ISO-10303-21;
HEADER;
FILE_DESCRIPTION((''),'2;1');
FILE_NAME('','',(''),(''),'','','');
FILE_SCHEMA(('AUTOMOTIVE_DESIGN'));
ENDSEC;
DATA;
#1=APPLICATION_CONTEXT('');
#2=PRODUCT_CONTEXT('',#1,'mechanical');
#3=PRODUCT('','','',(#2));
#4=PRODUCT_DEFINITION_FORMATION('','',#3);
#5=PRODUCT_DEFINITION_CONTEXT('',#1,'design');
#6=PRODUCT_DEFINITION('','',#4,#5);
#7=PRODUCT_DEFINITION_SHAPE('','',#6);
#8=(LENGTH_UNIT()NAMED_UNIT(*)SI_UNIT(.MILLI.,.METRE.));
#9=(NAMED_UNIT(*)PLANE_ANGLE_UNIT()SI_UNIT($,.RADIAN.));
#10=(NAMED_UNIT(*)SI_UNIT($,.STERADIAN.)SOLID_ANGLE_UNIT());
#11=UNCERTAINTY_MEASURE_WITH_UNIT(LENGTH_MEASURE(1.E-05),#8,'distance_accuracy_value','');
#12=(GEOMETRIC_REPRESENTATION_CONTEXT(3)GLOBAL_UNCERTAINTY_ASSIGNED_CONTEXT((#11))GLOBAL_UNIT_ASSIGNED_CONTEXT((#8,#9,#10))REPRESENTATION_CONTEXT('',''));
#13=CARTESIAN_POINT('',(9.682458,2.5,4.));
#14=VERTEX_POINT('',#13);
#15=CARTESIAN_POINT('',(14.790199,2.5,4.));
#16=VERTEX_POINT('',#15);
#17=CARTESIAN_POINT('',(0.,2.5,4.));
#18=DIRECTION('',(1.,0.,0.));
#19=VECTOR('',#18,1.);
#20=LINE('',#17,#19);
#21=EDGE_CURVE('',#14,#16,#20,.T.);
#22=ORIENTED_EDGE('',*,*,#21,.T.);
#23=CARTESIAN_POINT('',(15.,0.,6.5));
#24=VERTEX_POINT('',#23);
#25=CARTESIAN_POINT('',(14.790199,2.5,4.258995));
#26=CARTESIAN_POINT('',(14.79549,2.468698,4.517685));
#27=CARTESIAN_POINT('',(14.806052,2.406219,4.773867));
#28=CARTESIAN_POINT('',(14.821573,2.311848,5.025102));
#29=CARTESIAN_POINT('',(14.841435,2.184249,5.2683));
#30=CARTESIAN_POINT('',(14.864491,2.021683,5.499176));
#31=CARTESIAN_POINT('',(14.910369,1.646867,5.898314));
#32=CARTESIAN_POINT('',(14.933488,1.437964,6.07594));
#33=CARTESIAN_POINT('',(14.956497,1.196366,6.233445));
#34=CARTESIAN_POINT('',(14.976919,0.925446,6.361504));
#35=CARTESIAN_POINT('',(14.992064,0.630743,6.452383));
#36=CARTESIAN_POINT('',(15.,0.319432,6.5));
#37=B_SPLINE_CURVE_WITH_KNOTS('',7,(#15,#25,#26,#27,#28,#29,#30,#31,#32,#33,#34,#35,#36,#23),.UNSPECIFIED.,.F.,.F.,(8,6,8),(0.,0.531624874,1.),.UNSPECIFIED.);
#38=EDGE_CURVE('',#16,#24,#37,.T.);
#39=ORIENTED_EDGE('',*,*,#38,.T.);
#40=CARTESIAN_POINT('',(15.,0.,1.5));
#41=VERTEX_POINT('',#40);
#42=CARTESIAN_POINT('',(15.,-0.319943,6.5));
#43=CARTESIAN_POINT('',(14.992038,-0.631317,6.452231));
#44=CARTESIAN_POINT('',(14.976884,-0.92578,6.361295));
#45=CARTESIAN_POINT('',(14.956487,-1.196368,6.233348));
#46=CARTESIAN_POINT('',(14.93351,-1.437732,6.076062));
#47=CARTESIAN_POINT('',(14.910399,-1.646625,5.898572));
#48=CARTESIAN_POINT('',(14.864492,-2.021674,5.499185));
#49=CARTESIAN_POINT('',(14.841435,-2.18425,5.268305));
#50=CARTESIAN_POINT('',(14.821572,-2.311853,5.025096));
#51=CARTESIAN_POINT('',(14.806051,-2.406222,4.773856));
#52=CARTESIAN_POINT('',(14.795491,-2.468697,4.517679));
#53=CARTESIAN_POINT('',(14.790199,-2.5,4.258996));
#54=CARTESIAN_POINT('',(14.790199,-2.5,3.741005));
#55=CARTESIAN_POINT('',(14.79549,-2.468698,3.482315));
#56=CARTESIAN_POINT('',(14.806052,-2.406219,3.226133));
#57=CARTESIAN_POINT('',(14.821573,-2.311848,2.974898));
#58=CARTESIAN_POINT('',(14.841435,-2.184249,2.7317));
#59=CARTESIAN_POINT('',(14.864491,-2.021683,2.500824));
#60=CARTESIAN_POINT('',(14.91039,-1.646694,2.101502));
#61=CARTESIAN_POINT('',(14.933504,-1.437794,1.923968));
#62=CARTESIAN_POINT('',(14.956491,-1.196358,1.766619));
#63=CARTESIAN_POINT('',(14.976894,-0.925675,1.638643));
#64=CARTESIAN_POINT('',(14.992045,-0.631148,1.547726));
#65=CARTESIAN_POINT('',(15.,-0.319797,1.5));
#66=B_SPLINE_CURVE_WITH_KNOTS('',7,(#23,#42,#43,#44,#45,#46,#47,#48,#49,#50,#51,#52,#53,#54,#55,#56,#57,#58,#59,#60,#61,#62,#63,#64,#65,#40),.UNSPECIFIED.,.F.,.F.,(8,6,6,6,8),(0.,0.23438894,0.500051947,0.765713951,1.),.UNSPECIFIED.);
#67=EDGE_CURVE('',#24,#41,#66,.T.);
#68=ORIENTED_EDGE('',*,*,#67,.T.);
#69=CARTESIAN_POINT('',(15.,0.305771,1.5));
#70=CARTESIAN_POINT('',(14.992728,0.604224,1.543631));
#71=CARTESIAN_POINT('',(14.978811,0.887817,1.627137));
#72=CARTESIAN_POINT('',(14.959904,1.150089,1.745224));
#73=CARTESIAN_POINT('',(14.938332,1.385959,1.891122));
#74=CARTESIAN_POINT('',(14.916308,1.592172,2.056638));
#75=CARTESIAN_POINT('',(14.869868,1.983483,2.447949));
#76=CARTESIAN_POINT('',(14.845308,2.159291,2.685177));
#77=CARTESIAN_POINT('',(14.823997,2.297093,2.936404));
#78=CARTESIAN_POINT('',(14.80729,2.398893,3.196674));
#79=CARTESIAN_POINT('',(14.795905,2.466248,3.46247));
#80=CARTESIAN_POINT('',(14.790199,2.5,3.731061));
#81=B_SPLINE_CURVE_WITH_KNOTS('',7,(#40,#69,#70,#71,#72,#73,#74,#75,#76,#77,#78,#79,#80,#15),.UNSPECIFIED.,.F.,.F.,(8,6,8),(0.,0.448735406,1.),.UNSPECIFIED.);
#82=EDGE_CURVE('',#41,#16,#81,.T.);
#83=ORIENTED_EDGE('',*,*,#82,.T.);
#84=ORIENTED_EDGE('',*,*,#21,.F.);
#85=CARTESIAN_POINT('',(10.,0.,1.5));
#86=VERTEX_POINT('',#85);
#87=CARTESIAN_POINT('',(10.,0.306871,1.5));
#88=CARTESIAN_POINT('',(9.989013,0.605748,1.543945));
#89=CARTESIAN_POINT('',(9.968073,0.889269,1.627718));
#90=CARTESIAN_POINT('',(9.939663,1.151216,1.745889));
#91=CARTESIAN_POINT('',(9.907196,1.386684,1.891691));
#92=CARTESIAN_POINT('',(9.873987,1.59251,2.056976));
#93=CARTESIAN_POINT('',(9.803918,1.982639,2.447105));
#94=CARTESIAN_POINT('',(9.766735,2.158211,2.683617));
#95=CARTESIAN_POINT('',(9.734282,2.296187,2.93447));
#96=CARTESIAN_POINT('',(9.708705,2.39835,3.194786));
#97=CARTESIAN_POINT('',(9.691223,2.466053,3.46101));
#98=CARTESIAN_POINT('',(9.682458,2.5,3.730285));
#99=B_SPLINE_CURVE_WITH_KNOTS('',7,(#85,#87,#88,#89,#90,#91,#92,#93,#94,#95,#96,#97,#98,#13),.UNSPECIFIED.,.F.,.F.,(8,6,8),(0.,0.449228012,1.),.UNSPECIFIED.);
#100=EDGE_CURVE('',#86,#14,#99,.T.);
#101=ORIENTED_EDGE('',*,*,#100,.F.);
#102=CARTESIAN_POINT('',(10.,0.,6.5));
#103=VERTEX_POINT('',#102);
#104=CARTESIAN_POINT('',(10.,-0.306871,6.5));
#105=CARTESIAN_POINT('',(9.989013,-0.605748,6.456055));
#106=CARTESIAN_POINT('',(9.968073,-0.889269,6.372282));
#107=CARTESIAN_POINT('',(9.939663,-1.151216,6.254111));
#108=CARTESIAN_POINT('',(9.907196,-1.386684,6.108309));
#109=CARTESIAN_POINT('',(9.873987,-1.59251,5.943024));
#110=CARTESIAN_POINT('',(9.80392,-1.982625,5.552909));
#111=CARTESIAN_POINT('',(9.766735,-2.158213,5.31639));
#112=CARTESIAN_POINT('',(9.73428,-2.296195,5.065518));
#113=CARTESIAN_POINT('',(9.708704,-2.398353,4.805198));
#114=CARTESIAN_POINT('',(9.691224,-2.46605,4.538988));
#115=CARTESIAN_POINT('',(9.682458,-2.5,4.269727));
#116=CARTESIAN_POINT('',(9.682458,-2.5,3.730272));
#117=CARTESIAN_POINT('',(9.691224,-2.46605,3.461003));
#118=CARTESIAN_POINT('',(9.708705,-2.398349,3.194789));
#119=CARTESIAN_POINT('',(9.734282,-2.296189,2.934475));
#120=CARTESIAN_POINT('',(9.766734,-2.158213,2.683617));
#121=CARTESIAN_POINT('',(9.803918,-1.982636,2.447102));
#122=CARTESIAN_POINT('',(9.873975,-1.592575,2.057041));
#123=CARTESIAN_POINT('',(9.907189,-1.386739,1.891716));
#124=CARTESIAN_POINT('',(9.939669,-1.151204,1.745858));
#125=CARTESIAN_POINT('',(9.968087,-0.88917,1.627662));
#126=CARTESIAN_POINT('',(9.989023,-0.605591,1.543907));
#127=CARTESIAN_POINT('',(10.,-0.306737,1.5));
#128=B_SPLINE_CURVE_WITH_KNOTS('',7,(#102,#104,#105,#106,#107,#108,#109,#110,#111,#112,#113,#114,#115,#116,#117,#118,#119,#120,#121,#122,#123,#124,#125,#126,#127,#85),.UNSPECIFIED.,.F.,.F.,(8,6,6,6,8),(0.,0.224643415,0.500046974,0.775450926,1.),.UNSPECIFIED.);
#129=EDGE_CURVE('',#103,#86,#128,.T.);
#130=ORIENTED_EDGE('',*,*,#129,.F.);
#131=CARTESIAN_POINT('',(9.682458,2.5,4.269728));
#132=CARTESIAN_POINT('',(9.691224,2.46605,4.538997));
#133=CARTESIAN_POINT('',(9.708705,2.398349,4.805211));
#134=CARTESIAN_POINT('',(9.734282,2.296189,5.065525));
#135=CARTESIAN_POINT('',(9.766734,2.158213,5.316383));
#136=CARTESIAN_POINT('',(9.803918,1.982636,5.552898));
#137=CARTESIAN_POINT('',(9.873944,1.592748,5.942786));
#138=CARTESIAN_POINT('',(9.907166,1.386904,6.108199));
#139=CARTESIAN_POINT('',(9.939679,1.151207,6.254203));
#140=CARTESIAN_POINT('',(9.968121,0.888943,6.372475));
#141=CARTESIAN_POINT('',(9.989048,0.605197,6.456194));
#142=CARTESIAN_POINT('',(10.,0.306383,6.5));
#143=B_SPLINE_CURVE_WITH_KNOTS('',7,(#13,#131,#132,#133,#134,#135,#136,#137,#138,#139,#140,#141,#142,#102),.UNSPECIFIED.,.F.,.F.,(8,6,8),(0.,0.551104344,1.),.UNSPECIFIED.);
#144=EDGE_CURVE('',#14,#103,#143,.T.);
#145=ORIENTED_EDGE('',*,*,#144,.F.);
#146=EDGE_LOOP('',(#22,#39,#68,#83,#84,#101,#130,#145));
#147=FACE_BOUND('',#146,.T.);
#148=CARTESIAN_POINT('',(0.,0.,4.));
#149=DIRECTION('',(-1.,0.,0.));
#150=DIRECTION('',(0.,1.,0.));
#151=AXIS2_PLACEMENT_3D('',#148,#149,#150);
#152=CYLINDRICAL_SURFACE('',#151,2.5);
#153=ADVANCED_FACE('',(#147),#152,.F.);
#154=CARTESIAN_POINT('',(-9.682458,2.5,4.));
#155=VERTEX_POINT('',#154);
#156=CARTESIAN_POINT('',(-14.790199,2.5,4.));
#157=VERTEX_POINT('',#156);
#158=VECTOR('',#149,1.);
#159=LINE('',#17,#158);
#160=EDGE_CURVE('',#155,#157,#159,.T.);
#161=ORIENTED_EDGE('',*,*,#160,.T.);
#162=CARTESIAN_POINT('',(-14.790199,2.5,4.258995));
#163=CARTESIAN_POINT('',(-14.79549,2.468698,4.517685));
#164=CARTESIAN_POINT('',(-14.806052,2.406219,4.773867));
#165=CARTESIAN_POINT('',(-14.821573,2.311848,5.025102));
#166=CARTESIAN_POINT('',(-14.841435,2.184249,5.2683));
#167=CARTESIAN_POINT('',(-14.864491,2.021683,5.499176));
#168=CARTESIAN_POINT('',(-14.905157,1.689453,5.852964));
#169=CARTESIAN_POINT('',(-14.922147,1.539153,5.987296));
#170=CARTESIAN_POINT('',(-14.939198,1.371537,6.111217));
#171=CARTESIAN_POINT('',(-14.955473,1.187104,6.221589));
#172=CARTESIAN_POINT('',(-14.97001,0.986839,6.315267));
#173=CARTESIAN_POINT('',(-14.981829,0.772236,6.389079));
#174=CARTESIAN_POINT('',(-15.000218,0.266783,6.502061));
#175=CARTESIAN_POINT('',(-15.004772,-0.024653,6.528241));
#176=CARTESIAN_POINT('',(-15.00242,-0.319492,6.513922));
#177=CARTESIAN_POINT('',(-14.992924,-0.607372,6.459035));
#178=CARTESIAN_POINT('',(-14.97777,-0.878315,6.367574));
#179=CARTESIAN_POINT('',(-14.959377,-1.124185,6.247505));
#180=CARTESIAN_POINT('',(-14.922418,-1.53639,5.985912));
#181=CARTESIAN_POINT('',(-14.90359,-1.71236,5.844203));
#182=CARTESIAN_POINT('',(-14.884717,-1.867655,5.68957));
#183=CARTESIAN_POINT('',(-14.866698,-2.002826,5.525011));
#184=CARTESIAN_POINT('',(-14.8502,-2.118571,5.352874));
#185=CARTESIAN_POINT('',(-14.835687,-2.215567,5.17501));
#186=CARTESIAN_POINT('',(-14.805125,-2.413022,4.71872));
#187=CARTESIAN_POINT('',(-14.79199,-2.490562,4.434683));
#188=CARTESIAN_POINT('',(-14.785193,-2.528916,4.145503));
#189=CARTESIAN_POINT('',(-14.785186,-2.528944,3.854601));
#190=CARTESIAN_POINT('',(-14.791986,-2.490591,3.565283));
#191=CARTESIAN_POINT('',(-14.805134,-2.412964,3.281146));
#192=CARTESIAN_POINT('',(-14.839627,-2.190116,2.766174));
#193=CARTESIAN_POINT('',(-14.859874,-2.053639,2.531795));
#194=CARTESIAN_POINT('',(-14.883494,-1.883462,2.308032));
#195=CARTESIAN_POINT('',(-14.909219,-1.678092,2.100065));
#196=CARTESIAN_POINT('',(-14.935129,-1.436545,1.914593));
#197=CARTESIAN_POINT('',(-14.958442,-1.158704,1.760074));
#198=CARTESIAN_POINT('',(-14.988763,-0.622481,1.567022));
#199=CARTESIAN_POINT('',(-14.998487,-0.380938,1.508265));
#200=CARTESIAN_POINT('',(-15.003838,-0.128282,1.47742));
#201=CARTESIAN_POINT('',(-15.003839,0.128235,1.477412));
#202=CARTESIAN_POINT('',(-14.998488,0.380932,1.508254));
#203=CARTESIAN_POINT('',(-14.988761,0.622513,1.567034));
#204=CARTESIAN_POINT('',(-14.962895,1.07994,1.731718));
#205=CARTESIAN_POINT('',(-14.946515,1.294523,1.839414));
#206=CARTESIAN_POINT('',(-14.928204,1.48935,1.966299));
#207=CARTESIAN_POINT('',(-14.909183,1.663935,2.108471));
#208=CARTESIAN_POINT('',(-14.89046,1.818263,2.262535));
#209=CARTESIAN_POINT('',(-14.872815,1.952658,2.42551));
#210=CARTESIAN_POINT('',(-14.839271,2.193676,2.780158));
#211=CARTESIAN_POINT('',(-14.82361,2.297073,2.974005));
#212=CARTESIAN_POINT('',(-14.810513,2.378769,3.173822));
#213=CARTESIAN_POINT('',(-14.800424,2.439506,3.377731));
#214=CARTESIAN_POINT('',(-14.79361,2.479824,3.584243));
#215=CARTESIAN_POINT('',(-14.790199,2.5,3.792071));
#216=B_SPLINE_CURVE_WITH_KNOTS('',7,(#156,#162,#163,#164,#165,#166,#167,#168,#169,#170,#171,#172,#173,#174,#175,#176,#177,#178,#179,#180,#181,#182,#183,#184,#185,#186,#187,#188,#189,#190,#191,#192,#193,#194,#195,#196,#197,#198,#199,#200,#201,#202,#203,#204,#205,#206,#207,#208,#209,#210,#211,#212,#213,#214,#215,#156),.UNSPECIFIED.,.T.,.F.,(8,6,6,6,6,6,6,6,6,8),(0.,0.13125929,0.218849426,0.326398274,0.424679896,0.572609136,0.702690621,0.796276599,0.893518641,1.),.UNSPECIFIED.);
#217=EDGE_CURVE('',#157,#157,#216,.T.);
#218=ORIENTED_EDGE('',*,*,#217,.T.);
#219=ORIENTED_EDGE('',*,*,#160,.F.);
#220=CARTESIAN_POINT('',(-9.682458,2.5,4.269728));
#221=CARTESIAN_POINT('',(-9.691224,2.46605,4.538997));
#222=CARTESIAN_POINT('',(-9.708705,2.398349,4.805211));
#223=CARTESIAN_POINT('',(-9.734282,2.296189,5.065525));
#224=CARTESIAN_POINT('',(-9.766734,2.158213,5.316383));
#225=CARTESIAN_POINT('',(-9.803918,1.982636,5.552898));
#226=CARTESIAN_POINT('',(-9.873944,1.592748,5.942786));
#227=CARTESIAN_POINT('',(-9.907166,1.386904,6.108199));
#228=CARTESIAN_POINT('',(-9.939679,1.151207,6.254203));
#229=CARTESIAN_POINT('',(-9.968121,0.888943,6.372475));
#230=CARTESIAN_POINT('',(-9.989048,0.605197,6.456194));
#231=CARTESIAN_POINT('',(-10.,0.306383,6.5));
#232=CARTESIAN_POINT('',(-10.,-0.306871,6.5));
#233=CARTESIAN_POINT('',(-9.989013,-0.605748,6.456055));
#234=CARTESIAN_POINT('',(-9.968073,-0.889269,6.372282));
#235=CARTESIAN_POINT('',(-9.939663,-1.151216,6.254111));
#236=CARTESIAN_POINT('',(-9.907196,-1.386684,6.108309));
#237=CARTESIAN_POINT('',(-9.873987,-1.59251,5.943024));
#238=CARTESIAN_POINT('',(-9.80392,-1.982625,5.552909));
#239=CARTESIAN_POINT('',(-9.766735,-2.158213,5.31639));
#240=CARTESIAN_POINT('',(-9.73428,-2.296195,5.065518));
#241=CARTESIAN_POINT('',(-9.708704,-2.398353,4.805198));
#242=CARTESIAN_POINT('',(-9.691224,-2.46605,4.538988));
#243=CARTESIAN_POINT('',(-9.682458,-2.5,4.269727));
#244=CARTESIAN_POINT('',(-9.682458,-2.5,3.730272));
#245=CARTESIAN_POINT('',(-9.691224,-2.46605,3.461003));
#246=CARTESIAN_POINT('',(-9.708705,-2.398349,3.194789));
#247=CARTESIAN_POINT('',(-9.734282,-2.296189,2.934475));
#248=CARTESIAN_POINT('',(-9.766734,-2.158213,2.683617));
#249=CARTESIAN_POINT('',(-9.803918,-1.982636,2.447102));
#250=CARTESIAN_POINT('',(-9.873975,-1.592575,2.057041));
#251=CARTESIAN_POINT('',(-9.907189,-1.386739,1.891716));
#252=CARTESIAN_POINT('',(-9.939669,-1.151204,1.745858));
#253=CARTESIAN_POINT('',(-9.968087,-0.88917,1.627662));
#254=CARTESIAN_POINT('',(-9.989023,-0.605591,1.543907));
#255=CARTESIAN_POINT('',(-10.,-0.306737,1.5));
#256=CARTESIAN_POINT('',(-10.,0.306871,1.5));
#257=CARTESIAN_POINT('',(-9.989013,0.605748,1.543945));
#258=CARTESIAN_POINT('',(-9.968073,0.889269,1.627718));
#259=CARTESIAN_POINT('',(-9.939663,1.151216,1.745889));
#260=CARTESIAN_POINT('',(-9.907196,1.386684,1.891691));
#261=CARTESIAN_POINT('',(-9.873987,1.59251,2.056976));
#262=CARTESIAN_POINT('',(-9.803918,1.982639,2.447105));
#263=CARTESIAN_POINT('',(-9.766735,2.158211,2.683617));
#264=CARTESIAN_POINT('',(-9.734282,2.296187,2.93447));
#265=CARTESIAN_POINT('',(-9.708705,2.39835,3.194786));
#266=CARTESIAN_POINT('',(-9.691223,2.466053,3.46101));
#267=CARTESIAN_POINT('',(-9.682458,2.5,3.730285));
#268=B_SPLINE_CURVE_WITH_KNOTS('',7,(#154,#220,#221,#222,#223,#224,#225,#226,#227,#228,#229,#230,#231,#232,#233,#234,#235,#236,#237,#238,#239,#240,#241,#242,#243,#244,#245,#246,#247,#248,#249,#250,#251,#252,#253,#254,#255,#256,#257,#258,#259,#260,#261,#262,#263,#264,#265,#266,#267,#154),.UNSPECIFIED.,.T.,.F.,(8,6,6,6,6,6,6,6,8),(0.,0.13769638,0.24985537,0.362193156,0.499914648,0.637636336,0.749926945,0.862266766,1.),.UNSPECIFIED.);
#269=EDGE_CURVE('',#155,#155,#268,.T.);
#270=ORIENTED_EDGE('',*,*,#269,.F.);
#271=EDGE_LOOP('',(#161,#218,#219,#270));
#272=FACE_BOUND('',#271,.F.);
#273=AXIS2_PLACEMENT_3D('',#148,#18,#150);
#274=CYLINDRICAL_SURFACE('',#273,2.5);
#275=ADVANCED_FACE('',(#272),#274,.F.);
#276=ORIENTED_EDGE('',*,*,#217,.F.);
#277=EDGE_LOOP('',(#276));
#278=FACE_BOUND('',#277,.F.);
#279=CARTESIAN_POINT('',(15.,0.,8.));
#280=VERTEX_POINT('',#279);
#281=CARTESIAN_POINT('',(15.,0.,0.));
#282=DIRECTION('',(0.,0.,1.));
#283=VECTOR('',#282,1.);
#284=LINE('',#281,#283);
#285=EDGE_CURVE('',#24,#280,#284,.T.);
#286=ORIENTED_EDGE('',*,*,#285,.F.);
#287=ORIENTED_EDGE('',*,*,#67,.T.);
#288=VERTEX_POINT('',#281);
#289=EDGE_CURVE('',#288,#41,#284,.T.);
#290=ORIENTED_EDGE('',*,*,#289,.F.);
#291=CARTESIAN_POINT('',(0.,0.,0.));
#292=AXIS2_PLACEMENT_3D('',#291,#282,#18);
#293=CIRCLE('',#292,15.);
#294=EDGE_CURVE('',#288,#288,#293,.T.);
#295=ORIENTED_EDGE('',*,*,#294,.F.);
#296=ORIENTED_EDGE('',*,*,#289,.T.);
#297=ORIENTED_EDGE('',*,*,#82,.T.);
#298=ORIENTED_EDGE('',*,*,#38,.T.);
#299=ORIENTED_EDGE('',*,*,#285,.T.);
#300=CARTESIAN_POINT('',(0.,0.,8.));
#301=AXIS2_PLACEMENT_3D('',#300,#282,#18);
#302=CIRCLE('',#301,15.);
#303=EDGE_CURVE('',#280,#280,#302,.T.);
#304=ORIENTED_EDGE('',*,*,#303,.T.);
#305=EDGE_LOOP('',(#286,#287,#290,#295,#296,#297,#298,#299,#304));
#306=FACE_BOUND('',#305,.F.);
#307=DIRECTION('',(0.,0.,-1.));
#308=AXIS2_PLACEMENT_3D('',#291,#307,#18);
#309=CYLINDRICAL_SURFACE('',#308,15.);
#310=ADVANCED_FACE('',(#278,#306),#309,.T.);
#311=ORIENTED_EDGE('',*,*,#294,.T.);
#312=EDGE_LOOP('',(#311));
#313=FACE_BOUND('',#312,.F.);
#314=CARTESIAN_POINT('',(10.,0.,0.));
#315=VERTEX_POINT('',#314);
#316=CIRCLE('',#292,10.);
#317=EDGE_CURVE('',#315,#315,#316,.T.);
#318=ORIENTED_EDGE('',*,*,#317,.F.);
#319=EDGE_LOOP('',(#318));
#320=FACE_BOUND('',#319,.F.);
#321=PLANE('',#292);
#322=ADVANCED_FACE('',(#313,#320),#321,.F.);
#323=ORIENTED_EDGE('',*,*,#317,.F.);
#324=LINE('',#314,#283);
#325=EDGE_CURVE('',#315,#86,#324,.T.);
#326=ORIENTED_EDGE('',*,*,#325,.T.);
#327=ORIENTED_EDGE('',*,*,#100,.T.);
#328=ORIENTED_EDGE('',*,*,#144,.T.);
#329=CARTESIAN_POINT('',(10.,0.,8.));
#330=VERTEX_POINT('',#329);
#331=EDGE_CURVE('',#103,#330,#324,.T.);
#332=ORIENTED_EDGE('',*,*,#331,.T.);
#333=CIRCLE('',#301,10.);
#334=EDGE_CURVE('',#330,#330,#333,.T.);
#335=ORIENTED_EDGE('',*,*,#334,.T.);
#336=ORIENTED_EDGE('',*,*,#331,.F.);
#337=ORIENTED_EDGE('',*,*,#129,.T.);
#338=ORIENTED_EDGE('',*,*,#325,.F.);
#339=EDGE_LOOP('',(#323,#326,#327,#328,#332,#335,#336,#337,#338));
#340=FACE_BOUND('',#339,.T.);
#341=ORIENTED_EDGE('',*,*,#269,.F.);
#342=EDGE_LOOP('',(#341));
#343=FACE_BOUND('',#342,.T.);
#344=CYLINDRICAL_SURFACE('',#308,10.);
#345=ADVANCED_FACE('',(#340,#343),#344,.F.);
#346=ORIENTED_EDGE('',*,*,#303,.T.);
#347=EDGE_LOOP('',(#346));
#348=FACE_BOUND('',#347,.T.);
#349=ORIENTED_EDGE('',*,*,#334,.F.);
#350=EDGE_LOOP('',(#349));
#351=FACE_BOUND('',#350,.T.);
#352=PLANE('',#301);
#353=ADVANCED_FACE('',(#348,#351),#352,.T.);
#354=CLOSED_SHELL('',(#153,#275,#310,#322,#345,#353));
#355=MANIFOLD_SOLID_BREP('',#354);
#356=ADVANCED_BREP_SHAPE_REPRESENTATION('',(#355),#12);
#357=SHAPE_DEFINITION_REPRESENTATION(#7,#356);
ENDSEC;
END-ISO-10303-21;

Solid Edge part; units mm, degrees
sketch "Sketch1" plane through (0, 0, 0) normal (0, 0, 1) x (1, 0, 0)
  circle A0 centre (0, 0) radius 10
  circle A1 centre (0, 0) radius 15
  dimension "D1" = 30
  dimension "D2" = 20
extrude "Protrusion1" add sketch "Sketch1" along normal blind 8
sketch "Sketch2" plane through (0, 0, 0) normal (1, 0, 0) x (0, 1, 0)
  circle A0 centre (0, 4) radius 2.5
  dimension "D1" = 5
  dimension "D2" = 4
extrude "ExtrudedCutout_1" cut sketch "Sketch2" along normal mid plane 144.8329
properties part number "4"
